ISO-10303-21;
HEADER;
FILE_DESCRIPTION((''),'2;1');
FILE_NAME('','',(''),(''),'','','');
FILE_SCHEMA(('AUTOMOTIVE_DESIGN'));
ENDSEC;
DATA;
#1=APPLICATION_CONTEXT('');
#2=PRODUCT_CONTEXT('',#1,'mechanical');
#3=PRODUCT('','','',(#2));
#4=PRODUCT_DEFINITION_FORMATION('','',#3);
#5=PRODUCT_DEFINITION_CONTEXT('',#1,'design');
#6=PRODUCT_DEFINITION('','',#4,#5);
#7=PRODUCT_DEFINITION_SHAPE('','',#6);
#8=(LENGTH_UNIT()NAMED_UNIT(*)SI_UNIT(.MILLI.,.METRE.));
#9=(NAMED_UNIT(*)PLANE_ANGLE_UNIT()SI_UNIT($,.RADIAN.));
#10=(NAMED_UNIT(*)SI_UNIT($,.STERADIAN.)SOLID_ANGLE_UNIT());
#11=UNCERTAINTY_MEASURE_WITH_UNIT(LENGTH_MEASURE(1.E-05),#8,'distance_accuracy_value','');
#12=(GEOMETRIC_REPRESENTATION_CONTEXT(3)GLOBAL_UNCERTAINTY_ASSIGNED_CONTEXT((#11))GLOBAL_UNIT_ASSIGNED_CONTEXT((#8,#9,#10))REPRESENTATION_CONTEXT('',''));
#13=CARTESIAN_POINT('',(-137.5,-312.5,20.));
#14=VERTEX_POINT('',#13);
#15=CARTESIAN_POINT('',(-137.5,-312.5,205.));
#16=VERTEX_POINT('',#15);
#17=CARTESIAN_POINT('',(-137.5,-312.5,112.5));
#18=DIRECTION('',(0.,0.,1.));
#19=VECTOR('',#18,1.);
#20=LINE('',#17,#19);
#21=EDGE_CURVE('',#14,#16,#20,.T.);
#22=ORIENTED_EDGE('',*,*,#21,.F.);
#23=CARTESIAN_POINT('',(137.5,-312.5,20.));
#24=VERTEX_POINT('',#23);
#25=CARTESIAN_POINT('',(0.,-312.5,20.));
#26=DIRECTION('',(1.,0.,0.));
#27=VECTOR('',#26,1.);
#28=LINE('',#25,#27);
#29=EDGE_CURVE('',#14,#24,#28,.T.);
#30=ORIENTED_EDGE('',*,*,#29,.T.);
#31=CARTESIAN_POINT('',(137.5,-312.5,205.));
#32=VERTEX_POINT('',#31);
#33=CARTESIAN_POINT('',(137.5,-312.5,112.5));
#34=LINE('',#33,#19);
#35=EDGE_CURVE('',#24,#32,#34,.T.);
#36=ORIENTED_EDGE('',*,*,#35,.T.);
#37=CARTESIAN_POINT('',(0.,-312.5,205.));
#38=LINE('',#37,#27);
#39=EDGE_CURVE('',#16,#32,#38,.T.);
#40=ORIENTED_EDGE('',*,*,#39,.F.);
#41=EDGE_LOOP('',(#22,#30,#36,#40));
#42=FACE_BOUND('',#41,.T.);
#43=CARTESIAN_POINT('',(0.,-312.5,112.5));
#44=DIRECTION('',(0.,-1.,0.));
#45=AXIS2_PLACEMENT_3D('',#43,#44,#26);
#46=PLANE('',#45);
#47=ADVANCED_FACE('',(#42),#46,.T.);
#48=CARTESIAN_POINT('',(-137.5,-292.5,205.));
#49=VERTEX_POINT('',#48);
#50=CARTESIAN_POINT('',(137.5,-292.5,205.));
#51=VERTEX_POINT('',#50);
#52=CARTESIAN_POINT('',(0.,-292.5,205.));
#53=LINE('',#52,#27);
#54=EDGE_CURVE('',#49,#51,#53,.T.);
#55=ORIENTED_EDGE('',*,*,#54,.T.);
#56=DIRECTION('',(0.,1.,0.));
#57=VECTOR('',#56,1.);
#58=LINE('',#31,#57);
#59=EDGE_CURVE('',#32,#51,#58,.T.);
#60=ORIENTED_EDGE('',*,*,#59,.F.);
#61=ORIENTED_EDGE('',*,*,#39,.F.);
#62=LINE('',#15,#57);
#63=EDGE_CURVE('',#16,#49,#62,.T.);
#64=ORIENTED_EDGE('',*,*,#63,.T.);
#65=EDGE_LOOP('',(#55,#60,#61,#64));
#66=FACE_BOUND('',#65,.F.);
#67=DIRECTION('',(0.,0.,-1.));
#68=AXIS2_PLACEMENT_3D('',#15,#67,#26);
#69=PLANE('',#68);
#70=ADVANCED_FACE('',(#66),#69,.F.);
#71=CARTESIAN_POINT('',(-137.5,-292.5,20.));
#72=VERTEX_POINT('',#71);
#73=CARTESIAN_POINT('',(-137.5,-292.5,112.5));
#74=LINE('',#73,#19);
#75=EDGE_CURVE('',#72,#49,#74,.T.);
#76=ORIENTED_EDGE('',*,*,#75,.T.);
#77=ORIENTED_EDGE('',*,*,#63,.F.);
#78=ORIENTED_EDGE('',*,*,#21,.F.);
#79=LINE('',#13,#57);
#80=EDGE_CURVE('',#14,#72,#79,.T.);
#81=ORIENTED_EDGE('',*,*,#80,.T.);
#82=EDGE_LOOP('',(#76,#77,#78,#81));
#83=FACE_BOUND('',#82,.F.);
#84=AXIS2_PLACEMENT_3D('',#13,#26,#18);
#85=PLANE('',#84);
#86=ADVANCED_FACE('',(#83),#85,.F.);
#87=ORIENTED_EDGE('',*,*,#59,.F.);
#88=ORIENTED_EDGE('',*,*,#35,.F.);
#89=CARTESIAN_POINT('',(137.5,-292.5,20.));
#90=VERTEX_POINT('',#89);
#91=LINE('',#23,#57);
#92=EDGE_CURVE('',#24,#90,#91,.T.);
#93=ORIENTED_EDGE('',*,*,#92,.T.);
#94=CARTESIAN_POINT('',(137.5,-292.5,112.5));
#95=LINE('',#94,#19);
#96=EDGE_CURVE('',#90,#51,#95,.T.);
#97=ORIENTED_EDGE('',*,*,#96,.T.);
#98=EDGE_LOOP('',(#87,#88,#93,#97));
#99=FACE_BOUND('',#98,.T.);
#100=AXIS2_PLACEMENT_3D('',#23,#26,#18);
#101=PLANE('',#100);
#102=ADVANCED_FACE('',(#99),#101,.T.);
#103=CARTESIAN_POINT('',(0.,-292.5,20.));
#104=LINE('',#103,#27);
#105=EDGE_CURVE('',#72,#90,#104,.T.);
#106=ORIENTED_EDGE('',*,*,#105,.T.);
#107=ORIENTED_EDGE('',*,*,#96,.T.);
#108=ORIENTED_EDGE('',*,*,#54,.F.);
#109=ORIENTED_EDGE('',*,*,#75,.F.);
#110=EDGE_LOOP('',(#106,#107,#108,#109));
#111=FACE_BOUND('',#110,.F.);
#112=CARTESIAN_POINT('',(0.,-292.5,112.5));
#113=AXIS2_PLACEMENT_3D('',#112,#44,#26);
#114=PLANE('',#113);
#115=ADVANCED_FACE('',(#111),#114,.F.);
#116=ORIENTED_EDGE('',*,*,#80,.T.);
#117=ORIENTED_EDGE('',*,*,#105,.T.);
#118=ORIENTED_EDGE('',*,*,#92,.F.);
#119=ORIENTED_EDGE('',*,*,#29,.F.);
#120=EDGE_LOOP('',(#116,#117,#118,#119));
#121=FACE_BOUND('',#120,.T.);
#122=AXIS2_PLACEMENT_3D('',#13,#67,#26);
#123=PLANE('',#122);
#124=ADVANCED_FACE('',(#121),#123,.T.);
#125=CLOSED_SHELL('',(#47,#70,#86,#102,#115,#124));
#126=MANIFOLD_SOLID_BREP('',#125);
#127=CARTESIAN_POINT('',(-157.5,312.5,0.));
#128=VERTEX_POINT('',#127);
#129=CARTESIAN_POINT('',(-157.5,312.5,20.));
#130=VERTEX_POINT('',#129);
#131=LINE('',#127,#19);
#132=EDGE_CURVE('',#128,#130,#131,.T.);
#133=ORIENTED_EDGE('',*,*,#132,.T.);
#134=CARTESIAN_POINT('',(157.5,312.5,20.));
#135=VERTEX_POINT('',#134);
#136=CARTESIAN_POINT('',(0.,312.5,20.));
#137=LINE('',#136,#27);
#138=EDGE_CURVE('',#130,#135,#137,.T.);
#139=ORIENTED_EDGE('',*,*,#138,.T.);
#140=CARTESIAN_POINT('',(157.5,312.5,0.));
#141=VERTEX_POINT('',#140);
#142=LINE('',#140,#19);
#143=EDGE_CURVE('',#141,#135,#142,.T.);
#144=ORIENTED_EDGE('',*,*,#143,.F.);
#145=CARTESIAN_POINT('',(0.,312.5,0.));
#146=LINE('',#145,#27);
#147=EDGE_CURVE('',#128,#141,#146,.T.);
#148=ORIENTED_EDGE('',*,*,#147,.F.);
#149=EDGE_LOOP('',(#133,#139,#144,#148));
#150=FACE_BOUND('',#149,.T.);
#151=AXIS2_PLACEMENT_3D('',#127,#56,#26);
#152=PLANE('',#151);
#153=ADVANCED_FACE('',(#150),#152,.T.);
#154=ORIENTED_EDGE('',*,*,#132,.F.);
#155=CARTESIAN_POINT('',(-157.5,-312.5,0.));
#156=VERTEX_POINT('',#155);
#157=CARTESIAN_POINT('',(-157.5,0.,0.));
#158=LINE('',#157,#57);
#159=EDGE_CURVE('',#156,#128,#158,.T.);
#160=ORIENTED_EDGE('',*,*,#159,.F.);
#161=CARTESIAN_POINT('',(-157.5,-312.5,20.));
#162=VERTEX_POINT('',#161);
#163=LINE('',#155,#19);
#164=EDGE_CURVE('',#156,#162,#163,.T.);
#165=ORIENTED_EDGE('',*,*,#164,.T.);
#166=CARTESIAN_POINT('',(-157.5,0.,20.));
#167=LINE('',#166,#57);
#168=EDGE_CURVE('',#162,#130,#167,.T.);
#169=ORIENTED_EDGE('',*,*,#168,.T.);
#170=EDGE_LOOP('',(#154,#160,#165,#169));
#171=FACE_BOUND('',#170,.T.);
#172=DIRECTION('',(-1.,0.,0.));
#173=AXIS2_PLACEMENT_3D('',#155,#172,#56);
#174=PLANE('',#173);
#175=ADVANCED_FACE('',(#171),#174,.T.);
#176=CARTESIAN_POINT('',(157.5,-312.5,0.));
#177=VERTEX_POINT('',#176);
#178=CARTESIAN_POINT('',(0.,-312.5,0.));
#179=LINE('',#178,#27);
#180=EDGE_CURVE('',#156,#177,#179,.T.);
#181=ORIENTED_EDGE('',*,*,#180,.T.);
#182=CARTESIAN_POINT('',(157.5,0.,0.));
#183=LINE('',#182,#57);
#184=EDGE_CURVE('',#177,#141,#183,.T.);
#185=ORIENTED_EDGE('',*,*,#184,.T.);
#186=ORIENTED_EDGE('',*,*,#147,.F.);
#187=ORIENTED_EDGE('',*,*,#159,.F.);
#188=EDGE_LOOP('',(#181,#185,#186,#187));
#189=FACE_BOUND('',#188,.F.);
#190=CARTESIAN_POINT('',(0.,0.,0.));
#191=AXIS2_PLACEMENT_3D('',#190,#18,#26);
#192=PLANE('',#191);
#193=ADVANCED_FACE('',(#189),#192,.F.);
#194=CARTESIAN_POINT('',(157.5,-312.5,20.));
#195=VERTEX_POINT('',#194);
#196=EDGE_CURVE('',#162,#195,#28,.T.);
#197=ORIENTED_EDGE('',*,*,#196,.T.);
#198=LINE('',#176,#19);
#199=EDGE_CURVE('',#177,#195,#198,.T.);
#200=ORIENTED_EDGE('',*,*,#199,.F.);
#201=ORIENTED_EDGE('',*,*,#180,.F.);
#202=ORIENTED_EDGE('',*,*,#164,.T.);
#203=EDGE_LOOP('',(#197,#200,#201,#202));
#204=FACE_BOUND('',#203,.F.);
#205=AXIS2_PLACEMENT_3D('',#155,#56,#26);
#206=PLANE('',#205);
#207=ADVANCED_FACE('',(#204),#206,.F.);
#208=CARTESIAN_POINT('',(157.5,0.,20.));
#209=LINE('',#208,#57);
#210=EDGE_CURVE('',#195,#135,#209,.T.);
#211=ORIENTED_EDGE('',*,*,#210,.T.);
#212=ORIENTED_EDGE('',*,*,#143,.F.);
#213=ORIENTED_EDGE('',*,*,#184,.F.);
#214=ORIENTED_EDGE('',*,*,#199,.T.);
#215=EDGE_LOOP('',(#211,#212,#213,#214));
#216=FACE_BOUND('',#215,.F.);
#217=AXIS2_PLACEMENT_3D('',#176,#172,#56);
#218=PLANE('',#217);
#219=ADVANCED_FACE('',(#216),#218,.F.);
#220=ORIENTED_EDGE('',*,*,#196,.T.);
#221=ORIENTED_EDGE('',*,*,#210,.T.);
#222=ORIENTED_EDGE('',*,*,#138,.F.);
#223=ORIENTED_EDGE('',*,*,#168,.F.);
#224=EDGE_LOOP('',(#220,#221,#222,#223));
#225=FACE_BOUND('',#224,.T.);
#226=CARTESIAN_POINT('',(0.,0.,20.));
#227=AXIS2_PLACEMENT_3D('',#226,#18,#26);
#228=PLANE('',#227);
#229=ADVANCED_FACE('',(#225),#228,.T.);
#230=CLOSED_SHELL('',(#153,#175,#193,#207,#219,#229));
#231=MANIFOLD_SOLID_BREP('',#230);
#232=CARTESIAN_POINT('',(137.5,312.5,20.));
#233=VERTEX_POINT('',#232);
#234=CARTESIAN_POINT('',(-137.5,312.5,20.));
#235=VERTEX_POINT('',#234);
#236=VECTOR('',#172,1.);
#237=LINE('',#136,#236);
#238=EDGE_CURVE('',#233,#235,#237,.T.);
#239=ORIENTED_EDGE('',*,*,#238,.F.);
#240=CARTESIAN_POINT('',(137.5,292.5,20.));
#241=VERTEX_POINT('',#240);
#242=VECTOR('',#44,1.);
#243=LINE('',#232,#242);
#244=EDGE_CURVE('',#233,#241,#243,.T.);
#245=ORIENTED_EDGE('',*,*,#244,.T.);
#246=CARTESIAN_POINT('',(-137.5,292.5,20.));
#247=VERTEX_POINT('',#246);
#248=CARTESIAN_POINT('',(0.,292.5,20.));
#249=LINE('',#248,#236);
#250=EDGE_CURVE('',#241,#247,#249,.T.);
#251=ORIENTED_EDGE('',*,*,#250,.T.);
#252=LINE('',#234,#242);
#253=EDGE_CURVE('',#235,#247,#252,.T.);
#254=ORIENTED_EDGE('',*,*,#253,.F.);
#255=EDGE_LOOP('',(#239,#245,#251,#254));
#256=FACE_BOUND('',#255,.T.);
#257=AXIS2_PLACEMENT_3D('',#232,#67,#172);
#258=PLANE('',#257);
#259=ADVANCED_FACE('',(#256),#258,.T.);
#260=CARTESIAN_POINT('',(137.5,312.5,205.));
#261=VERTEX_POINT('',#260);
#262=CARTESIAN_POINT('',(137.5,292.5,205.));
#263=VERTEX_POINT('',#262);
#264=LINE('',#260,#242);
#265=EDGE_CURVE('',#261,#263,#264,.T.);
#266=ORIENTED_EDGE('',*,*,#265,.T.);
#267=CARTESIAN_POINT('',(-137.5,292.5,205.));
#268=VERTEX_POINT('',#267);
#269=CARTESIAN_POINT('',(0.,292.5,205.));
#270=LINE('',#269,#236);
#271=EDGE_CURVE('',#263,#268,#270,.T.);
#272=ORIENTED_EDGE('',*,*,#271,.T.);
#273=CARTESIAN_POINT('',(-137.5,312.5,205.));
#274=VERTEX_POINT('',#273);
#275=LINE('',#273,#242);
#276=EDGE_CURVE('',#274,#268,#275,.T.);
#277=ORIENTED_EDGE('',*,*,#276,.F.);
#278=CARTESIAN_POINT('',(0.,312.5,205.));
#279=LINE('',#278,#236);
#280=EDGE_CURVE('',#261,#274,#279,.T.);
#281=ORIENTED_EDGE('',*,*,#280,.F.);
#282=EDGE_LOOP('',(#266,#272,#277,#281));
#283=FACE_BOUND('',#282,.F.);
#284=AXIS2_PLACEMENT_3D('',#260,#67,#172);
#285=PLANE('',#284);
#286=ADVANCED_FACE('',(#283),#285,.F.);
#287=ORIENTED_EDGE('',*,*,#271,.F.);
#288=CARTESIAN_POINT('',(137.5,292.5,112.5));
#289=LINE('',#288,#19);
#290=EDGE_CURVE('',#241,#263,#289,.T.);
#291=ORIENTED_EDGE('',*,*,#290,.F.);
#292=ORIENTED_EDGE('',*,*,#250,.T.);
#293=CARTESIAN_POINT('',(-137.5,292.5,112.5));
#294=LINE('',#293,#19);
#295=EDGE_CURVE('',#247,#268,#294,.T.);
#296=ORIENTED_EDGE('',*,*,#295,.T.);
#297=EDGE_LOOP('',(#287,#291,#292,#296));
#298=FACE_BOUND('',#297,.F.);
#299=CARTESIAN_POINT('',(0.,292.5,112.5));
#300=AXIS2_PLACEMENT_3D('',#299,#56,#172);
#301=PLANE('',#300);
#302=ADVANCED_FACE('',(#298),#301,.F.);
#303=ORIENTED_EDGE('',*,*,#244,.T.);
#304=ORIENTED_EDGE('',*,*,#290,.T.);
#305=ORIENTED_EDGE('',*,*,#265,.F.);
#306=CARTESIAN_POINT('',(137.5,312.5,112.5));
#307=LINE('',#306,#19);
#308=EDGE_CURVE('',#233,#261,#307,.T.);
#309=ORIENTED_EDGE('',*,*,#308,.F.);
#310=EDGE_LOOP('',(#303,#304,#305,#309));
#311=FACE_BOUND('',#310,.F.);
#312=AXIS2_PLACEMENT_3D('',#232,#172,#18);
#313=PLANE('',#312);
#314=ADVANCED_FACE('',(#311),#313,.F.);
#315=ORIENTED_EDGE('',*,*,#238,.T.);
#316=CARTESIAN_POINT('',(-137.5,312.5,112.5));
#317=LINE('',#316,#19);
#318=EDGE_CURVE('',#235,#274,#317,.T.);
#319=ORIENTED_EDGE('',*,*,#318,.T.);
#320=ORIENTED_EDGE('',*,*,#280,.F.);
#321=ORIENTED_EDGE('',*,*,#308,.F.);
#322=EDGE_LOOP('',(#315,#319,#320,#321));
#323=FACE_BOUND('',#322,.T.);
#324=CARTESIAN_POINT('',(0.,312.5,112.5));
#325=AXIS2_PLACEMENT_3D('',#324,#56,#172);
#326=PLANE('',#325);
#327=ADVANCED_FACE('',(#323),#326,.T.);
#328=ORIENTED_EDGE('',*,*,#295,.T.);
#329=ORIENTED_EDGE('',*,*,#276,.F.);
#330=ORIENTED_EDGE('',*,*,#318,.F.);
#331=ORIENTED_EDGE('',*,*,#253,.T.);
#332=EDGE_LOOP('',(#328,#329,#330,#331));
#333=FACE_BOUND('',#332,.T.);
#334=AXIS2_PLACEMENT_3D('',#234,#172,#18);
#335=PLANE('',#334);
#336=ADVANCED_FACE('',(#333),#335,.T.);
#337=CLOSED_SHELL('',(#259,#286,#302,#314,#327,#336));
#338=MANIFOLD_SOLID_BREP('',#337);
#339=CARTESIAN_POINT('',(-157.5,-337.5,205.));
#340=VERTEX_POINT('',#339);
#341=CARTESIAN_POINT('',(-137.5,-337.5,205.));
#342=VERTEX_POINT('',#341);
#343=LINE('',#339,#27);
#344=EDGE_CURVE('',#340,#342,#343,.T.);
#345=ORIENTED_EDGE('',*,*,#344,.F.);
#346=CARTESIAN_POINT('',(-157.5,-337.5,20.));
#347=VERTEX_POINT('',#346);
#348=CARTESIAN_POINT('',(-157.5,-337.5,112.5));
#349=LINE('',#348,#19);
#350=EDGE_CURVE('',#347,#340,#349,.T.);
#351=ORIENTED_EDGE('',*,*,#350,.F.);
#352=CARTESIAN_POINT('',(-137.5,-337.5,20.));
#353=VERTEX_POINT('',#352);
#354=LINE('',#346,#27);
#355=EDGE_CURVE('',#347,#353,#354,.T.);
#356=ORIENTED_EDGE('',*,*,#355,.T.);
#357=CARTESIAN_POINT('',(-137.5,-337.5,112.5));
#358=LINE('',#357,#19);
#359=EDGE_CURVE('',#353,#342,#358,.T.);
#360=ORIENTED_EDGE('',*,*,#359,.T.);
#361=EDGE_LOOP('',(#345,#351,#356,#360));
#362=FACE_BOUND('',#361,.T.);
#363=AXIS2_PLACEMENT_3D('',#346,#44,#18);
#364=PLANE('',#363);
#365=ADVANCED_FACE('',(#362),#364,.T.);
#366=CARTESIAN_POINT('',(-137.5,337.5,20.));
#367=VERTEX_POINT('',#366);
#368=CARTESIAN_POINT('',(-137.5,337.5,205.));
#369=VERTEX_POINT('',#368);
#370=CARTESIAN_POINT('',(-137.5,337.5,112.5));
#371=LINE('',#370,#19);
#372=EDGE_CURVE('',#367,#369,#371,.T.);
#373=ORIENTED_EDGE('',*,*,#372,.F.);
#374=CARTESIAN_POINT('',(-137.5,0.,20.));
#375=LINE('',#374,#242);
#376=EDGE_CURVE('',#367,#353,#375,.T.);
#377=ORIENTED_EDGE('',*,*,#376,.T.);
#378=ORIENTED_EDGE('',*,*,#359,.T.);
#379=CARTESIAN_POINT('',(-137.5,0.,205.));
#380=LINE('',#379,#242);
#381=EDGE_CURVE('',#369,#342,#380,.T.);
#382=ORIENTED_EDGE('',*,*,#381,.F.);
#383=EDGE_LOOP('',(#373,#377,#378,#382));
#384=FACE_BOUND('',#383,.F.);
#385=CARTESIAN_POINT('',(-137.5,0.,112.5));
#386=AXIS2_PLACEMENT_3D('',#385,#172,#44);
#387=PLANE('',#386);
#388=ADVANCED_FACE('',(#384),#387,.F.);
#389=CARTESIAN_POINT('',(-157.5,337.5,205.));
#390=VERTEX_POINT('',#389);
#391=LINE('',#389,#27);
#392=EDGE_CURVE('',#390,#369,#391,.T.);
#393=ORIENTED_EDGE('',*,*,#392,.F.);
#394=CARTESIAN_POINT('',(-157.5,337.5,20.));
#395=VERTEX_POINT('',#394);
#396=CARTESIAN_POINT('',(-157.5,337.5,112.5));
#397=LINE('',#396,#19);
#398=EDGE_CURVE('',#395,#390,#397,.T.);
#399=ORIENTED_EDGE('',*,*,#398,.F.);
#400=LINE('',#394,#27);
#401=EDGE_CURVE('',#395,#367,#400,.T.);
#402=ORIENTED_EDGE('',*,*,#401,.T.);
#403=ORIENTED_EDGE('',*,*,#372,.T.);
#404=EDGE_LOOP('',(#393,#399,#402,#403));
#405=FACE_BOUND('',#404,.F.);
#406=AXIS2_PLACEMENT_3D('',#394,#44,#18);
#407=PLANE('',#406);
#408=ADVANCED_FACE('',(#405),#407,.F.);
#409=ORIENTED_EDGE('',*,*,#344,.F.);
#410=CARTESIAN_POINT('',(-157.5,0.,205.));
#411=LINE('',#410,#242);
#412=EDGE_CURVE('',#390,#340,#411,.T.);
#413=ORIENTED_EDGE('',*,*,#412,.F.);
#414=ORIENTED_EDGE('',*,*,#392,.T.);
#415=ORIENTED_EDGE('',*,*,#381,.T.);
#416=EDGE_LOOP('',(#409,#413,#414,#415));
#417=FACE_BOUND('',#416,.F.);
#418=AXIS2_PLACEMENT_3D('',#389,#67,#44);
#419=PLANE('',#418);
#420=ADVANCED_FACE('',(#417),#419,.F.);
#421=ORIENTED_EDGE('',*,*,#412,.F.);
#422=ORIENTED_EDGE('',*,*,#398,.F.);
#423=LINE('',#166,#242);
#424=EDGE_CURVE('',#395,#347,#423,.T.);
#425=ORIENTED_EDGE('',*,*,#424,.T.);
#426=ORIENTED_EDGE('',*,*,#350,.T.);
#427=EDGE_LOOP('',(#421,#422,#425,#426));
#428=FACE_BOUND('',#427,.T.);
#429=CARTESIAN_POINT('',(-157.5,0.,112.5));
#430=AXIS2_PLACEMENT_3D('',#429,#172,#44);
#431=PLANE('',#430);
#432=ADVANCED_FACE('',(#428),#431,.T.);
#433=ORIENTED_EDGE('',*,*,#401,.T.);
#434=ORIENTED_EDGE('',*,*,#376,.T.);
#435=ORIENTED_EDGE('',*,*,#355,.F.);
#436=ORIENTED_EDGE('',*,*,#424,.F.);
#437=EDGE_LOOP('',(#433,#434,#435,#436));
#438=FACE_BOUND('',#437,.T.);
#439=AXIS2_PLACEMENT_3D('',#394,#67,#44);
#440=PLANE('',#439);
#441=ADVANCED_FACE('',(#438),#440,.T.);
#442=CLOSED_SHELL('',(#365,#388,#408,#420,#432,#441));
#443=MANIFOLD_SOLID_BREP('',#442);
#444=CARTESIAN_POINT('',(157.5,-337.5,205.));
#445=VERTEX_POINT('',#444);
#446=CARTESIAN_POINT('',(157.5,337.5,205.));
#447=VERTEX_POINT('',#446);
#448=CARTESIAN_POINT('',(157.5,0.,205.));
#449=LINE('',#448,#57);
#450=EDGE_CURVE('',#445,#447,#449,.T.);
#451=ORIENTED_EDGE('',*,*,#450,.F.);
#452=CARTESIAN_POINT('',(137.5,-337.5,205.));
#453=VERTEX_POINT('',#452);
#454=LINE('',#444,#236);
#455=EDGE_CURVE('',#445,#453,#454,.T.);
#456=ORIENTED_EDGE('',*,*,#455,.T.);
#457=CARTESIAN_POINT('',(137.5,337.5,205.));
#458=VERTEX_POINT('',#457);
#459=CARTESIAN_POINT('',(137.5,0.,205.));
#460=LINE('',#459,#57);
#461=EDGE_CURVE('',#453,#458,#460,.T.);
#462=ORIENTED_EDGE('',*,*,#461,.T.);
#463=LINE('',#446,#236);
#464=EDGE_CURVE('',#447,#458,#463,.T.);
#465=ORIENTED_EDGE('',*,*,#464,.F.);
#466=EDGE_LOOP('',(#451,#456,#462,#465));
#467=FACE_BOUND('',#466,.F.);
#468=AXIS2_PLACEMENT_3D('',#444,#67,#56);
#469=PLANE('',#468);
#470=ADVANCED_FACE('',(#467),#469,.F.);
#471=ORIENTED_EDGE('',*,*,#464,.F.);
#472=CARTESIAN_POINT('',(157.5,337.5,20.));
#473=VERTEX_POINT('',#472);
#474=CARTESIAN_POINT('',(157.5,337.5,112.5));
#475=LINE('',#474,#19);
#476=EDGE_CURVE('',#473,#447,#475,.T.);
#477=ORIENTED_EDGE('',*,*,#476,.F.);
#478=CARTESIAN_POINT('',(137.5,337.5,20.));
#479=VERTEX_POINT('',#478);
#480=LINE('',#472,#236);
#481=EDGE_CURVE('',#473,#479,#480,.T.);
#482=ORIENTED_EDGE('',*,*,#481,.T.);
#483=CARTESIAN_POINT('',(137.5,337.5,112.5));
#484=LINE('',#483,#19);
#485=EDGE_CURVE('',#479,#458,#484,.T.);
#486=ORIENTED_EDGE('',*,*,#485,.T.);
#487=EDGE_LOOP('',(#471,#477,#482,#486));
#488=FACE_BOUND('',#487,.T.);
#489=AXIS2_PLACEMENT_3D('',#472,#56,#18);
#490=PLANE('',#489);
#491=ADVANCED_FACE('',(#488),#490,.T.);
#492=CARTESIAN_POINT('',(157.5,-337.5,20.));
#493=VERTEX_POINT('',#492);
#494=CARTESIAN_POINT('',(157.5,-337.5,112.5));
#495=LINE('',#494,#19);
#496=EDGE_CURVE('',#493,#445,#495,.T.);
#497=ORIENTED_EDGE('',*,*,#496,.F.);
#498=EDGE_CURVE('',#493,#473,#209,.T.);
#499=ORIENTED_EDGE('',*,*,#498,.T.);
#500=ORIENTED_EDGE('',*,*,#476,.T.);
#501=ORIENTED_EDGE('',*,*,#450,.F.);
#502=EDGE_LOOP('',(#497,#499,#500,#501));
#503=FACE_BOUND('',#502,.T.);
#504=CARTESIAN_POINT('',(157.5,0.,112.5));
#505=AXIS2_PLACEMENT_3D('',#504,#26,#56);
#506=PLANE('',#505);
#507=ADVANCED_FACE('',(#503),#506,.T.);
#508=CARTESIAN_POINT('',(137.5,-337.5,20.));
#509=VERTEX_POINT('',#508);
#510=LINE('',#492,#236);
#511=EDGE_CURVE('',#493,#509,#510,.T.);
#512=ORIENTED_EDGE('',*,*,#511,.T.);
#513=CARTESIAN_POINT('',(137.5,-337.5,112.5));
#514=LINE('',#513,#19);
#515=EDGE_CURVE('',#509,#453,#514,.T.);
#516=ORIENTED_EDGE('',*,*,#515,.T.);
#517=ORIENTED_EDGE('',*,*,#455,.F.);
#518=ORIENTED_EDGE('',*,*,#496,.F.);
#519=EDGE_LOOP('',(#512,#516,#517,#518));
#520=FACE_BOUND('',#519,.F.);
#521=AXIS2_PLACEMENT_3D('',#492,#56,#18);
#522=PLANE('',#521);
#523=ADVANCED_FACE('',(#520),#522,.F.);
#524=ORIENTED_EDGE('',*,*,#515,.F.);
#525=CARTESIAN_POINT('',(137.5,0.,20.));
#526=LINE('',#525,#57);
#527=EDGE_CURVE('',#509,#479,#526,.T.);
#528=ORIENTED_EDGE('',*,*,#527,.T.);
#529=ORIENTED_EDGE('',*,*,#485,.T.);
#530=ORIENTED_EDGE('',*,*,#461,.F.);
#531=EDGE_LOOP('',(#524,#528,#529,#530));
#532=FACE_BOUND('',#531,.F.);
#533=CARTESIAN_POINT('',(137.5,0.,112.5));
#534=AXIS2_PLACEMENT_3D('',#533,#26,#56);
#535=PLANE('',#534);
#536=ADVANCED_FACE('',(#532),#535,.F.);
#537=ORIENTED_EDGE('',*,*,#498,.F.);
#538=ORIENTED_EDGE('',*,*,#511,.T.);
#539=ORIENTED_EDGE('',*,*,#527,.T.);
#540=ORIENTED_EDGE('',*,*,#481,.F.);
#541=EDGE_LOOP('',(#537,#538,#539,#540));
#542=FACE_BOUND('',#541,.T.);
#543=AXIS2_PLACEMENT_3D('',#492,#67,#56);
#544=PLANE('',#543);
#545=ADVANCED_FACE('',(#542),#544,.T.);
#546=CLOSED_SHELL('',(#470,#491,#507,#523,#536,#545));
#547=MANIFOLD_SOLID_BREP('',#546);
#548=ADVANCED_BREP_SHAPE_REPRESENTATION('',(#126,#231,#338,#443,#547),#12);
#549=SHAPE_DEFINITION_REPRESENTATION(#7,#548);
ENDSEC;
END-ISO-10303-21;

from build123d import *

# Parameters (mm, degrees)
F0_W     = 315
F0_H     = 625
F1_DEPTH = 20
F2_W     = 675
F2_H     = 185
F3_DEPTH = 20
F4_W     = 675
F4_H     = 185
F5_DEPTH = 20
F6_W     = 275
F6_H     = 185
F7_DEPTH = 20
F8_W     = 275
F8_H     = 185
F9_DEPTH = 20


with BuildPart() as f1:
    # F0 (on Top) → F1 (new body)
    with BuildSketch(Plane.XY):
        Rectangle(F0_W, F0_H)
    extrude(amount=F1_DEPTH)


with BuildPart() as f3:
    # F2 (on face) → F3 (new body)
    with BuildSketch(Plane.YZ.offset(157.5)):
        with Locations((0, 112.5)):
            Rectangle(F2_W, F2_H)
    extrude(amount=-F3_DEPTH)


with BuildPart() as f5:
    # F4 (on face) → F5 (new body)
    with BuildSketch(Plane(origin=(-157.5, 0, 0), x_dir=(0, -1, 0), z_dir=(-1, 0, 0))):
        with Locations((0, 112.5)):
            Rectangle(F4_W, F4_H)
    extrude(amount=-F5_DEPTH)


with BuildPart() as f7:
    # F6 (on face) → F7 (new body)
    with BuildSketch(Plane(origin=(0, 312.5, 0), x_dir=(-1, 0, 0), z_dir=(0, 1, 0))):
        with Locations((0, 112.5)):
            Rectangle(F6_W, F6_H)
    extrude(amount=-F7_DEPTH)


with BuildPart() as f9:
    # F8 (on face) → F9 (new body)
    with BuildSketch(Plane.XZ.offset(312.5)):
        with Locations((0, 112.5)):
            Rectangle(F8_W, F8_H)
    extrude(amount=-F9_DEPTH)


solid = Compound([f1.part, f3.part, f5.part, f7.part, f9.part])
